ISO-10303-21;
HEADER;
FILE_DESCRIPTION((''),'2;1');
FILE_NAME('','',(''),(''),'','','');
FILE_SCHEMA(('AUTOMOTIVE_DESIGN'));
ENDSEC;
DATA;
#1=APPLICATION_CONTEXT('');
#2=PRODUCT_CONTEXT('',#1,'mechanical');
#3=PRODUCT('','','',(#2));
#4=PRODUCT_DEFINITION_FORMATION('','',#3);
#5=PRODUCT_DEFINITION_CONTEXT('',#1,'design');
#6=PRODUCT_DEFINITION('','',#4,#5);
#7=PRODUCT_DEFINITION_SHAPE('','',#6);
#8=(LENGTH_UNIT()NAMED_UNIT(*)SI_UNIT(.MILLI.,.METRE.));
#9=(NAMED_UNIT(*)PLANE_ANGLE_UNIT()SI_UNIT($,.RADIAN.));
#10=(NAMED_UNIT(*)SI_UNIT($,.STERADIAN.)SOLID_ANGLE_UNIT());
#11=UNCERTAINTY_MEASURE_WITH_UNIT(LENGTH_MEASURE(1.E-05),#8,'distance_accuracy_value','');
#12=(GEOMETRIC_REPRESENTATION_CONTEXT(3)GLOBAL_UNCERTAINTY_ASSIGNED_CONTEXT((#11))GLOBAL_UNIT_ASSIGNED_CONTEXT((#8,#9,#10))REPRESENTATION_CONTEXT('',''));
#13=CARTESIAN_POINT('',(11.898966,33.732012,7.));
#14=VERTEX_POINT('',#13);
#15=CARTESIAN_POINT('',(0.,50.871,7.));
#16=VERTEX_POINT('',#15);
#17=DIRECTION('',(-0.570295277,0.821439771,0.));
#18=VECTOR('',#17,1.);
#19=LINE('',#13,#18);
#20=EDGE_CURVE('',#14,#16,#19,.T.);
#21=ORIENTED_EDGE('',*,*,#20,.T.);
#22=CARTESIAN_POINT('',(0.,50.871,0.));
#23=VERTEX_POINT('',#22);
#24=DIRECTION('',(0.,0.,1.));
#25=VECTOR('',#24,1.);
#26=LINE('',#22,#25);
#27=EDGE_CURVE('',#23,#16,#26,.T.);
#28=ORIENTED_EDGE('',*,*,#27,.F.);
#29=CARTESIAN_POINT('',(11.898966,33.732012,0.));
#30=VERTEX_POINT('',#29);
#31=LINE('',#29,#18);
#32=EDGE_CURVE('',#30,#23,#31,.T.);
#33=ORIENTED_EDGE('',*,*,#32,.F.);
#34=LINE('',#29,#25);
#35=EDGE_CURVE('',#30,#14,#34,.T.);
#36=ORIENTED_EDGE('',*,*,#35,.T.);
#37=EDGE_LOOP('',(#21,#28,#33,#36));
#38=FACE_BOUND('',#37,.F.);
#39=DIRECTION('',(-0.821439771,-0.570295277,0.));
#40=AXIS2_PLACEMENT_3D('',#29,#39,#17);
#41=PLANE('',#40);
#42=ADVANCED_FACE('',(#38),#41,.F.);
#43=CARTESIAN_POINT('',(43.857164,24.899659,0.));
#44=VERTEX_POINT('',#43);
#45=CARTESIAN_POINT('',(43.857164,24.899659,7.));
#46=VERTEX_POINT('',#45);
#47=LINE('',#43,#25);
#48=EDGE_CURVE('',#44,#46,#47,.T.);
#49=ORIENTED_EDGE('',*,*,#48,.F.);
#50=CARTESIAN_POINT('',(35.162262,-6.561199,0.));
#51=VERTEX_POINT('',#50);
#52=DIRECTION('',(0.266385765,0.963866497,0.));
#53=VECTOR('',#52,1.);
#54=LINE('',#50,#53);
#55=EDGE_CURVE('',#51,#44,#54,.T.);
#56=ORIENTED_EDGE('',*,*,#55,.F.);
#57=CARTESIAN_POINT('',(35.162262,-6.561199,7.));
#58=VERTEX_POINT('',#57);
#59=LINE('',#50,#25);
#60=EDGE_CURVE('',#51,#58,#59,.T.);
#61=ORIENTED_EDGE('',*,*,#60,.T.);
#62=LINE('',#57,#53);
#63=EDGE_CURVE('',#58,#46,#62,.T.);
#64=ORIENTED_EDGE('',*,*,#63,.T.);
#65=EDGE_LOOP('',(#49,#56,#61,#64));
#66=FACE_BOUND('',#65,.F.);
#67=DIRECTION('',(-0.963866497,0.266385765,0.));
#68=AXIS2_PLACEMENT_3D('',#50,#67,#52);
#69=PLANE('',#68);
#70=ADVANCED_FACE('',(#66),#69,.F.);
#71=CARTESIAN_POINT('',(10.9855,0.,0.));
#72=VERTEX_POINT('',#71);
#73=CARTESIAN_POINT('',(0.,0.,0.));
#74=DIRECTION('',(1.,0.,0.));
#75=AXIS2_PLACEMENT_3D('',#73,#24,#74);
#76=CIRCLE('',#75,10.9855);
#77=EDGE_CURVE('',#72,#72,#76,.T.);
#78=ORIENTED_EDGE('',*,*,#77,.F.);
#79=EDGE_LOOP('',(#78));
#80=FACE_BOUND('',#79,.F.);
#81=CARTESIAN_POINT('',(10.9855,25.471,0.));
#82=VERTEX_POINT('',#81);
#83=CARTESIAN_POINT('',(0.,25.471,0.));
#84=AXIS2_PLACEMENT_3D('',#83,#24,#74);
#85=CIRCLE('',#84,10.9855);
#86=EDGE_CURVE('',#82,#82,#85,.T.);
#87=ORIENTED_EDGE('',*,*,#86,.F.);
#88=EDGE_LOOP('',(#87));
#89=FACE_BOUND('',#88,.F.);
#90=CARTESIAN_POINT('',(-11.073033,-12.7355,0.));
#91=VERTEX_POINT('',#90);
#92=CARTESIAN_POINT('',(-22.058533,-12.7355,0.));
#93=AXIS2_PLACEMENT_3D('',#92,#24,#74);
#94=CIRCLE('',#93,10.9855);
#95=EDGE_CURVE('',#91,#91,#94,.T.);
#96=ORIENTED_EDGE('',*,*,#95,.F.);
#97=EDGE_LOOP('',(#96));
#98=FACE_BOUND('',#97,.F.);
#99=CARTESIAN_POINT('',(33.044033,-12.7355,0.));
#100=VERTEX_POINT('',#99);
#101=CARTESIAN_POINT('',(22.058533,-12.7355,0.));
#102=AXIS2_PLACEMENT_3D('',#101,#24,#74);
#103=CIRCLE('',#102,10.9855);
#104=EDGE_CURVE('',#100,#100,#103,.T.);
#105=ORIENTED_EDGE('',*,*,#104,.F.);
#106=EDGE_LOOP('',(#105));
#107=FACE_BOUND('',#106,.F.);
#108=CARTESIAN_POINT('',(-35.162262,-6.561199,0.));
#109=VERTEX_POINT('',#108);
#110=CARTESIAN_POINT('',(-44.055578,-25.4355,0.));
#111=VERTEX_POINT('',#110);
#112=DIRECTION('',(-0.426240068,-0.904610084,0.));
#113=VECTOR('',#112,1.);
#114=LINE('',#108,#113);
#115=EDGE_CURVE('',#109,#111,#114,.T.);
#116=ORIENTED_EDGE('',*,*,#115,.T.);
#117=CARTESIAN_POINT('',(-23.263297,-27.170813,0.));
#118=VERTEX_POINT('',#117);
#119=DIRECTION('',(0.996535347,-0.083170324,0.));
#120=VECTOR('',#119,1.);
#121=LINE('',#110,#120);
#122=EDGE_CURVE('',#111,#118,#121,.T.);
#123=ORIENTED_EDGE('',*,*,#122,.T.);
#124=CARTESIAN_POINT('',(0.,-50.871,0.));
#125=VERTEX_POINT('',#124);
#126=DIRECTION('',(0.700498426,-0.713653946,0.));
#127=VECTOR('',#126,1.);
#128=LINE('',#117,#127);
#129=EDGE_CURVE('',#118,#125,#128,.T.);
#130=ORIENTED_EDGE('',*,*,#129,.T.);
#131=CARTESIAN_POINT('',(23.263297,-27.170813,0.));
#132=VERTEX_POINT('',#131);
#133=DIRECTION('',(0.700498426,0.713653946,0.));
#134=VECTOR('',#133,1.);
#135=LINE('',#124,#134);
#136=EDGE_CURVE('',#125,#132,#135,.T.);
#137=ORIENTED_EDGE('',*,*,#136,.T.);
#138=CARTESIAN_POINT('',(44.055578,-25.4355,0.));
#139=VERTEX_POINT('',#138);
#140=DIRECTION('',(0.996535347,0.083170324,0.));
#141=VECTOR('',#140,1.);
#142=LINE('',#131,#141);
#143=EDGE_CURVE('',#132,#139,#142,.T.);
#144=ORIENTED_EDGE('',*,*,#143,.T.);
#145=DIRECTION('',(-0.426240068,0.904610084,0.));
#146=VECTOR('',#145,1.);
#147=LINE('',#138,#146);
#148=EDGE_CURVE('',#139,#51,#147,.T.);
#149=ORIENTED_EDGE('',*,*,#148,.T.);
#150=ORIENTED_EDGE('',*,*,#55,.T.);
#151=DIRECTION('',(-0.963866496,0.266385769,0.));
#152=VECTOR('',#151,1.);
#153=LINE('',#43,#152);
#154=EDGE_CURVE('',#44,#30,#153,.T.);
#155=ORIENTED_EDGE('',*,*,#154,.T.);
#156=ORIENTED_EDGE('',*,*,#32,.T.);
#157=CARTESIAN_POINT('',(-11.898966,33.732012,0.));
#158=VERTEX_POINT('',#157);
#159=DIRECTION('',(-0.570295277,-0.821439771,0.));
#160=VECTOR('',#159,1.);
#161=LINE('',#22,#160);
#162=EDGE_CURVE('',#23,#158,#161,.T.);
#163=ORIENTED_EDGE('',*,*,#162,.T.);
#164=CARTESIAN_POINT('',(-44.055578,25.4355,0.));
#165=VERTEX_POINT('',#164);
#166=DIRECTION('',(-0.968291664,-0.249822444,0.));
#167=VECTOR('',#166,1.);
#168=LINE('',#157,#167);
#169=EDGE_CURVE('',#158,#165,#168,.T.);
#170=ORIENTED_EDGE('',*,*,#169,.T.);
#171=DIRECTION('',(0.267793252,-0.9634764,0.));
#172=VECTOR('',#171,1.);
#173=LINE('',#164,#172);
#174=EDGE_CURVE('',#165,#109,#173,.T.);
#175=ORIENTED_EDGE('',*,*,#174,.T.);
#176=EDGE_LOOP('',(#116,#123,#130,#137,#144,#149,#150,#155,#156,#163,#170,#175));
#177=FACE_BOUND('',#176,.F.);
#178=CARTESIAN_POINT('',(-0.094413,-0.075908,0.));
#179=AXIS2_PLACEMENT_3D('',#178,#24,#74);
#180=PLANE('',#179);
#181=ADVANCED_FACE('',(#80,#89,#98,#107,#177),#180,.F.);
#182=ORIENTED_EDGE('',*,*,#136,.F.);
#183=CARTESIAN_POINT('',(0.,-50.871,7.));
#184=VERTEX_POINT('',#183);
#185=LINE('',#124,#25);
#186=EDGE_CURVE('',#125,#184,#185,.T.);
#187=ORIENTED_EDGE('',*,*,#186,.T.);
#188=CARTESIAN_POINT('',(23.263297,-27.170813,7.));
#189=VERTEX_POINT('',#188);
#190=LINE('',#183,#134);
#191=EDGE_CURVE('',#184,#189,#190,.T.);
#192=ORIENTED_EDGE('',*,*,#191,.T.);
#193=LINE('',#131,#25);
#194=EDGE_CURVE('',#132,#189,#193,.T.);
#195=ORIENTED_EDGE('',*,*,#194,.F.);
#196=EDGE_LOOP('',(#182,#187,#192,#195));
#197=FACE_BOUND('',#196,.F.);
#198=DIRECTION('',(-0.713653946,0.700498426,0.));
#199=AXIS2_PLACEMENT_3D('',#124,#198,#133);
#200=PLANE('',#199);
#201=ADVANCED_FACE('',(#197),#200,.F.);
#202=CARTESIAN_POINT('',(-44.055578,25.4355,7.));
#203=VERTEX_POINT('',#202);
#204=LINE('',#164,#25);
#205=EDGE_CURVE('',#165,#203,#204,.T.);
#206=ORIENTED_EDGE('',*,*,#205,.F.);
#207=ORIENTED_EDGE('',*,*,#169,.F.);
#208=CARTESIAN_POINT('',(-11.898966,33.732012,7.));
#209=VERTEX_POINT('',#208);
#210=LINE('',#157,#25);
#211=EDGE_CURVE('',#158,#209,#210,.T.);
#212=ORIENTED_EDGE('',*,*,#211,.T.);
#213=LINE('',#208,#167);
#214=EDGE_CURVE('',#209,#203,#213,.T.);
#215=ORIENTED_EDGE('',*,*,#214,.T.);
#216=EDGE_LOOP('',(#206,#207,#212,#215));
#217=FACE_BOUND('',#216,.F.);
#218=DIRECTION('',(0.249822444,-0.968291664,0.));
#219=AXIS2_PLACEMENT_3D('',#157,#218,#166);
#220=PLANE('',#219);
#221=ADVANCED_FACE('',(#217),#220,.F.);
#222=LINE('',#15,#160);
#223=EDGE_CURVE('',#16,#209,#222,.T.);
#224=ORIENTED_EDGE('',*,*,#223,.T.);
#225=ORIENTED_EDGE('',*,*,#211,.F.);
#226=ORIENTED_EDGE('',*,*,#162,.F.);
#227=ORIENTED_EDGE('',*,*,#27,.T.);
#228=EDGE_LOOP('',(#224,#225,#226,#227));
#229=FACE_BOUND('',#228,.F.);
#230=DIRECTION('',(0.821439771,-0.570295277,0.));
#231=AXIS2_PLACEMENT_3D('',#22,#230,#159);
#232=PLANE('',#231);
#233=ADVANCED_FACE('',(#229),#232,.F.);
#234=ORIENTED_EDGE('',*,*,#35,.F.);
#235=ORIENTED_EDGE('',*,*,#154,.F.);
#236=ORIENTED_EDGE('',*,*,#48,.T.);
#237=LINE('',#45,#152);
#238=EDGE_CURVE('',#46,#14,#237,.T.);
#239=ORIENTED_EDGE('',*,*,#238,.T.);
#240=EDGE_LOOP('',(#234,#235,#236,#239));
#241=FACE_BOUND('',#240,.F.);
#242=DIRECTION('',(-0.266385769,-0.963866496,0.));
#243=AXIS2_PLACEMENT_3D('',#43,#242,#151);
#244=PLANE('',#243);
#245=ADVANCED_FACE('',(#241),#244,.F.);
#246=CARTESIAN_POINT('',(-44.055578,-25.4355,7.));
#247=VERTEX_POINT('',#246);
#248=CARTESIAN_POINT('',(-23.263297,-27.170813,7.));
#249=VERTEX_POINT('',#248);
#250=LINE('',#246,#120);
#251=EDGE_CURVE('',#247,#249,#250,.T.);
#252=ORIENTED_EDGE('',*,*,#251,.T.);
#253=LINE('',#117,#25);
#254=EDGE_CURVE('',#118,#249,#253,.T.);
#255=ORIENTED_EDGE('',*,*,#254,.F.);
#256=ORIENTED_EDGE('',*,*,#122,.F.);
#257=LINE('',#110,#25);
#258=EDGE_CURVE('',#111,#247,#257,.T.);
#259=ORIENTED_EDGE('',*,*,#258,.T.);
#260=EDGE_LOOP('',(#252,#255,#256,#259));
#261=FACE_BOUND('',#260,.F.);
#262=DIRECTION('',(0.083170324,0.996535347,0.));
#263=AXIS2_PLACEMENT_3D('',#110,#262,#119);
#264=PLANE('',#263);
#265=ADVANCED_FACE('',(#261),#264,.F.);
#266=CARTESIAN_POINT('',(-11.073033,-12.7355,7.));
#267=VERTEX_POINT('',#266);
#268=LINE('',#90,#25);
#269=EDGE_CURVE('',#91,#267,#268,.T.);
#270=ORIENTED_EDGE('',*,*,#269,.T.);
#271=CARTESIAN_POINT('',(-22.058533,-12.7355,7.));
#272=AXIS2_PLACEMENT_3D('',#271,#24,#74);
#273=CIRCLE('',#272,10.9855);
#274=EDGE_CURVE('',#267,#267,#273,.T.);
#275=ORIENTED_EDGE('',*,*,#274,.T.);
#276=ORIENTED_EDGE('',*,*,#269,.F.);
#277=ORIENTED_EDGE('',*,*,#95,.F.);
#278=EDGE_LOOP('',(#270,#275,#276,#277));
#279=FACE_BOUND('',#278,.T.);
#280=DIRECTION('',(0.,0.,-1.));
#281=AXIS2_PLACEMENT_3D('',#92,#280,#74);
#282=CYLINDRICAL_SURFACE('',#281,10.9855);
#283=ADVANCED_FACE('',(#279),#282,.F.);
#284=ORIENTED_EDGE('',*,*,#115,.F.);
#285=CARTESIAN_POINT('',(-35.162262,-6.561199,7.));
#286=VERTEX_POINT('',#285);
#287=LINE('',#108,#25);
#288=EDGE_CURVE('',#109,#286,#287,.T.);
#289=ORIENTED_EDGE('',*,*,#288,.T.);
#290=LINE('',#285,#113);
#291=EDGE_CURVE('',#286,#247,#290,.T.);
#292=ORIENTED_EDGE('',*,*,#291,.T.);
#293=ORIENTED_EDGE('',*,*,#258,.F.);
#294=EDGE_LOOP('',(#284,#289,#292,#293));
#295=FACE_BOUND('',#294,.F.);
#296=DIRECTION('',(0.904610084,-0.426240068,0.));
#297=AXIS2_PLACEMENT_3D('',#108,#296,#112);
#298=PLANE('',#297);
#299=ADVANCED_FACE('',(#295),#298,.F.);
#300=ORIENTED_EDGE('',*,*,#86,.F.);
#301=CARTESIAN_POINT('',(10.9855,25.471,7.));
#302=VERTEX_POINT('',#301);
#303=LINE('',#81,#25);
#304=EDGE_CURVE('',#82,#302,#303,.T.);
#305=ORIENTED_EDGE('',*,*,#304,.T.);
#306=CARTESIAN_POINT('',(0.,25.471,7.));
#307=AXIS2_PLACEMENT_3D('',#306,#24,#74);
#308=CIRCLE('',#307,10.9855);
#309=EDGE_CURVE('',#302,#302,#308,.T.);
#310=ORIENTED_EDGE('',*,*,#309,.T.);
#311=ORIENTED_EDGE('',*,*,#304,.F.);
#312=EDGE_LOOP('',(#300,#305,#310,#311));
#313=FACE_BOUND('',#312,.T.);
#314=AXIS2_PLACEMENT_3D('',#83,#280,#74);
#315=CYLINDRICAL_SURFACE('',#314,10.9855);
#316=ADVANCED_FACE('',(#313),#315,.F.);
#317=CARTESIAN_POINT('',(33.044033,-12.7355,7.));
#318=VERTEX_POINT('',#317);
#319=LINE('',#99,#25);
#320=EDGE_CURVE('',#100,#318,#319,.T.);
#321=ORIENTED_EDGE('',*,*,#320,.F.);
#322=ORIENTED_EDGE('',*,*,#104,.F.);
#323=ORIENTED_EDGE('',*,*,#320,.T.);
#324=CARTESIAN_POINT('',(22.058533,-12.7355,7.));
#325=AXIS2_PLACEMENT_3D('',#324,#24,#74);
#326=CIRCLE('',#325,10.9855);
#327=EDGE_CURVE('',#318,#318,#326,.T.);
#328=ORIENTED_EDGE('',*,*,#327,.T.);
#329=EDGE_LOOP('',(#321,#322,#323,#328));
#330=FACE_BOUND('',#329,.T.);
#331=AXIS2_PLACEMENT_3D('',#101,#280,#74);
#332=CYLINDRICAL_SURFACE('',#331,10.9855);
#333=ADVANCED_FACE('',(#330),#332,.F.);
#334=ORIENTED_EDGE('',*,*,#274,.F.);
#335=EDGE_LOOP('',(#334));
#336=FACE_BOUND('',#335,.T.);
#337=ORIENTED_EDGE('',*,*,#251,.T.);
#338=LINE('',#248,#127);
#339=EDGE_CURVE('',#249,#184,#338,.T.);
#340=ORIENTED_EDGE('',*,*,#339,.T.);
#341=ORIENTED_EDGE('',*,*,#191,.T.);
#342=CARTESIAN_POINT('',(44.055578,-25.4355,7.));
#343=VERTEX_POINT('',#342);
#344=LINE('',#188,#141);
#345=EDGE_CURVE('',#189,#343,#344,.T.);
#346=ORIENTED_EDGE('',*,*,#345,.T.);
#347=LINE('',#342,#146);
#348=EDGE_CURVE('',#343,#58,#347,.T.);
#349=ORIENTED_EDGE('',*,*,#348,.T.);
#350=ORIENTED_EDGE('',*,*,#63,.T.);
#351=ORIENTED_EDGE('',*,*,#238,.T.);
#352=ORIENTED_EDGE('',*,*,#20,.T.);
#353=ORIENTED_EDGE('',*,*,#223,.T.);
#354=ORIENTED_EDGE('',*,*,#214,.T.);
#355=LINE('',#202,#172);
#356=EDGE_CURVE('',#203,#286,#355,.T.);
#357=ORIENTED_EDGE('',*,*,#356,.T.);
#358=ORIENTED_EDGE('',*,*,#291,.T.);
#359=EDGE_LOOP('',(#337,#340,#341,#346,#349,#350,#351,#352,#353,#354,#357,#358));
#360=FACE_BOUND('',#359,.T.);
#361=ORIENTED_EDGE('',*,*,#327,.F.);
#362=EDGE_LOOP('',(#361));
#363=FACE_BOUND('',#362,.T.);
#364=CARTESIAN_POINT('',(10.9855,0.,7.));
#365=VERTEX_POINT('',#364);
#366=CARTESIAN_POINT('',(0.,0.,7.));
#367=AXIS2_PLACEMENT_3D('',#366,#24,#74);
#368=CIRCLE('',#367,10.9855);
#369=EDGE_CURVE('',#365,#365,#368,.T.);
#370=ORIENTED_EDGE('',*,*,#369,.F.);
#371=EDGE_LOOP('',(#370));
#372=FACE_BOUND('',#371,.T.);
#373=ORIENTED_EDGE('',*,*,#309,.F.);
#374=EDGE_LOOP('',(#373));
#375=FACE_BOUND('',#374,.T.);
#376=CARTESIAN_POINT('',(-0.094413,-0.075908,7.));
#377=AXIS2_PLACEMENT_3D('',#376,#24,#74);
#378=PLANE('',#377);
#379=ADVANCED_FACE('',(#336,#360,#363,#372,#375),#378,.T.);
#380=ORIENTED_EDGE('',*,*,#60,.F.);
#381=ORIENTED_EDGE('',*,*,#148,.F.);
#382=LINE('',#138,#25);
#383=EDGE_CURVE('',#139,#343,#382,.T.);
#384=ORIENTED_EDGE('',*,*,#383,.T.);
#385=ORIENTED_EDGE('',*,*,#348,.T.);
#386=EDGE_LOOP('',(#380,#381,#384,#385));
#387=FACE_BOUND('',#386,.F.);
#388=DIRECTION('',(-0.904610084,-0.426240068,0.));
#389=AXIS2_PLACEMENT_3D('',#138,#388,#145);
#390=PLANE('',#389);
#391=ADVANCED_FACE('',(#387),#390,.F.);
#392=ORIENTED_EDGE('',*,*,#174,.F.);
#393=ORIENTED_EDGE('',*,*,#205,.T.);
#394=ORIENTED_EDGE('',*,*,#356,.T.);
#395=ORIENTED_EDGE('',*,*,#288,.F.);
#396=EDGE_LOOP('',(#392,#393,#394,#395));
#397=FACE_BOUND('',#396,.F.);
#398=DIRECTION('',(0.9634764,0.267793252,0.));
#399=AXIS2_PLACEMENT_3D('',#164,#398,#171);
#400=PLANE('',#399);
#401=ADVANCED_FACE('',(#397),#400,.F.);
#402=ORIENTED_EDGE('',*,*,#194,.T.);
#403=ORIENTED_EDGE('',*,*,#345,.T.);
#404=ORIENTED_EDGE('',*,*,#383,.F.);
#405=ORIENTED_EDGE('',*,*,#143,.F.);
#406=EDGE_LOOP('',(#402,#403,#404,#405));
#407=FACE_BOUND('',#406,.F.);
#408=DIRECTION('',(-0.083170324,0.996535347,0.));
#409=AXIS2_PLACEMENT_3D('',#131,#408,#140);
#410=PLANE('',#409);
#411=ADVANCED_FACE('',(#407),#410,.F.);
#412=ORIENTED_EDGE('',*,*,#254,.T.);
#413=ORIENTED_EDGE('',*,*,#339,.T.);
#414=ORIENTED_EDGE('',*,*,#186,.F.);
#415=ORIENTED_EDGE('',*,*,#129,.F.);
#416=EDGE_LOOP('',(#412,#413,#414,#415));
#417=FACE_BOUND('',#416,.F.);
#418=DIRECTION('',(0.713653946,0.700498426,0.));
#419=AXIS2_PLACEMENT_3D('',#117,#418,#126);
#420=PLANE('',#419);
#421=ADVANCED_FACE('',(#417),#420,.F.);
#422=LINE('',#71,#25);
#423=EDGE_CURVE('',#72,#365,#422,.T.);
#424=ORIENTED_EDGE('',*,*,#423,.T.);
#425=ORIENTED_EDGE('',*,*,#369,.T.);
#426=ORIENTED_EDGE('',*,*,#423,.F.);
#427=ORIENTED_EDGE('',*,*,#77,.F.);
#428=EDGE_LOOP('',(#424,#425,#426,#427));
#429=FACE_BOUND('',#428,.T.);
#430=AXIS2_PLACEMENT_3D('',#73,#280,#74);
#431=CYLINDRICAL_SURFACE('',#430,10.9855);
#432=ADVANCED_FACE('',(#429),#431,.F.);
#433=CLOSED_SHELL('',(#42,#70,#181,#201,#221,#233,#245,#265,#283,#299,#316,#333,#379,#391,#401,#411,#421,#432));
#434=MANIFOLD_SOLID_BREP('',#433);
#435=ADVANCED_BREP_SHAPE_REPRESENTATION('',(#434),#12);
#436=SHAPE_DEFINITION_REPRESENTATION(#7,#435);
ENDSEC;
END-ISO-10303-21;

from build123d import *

# Parameters (mm, degrees)
F1_R     = 10.9855
F2_DEPTH = 7


with BuildPart() as f2:
    # F1 (on Top) → F2 (new body)
    with BuildSketch(Plane.XY):
        Polygon((43.857164, 24.899659), (11.898966, 33.732012), (0, 50.871), (-11.898966, 33.732012), (-44.055578, 25.4355), (-35.162262, -6.561199), (-44.055578, -25.4355), (-23.263297, -27.170813), (0, -50.871), (23.263297, -27.170813), (44.055578, -25.4355), (35.162262, -6.561199), align=None)
        with Locations((-22.058533, -12.7355)):
            Circle(F1_R, mode=Mode.SUBTRACT)
        with Locations((22.058533, -12.7355)):
            Circle(F1_R, mode=Mode.SUBTRACT)
        Circle(F1_R, mode=Mode.SUBTRACT)
        with Locations((0, 25.471)):
            Circle(F1_R, mode=Mode.SUBTRACT)
    extrude(amount=F2_DEPTH)


solid = f2.part
